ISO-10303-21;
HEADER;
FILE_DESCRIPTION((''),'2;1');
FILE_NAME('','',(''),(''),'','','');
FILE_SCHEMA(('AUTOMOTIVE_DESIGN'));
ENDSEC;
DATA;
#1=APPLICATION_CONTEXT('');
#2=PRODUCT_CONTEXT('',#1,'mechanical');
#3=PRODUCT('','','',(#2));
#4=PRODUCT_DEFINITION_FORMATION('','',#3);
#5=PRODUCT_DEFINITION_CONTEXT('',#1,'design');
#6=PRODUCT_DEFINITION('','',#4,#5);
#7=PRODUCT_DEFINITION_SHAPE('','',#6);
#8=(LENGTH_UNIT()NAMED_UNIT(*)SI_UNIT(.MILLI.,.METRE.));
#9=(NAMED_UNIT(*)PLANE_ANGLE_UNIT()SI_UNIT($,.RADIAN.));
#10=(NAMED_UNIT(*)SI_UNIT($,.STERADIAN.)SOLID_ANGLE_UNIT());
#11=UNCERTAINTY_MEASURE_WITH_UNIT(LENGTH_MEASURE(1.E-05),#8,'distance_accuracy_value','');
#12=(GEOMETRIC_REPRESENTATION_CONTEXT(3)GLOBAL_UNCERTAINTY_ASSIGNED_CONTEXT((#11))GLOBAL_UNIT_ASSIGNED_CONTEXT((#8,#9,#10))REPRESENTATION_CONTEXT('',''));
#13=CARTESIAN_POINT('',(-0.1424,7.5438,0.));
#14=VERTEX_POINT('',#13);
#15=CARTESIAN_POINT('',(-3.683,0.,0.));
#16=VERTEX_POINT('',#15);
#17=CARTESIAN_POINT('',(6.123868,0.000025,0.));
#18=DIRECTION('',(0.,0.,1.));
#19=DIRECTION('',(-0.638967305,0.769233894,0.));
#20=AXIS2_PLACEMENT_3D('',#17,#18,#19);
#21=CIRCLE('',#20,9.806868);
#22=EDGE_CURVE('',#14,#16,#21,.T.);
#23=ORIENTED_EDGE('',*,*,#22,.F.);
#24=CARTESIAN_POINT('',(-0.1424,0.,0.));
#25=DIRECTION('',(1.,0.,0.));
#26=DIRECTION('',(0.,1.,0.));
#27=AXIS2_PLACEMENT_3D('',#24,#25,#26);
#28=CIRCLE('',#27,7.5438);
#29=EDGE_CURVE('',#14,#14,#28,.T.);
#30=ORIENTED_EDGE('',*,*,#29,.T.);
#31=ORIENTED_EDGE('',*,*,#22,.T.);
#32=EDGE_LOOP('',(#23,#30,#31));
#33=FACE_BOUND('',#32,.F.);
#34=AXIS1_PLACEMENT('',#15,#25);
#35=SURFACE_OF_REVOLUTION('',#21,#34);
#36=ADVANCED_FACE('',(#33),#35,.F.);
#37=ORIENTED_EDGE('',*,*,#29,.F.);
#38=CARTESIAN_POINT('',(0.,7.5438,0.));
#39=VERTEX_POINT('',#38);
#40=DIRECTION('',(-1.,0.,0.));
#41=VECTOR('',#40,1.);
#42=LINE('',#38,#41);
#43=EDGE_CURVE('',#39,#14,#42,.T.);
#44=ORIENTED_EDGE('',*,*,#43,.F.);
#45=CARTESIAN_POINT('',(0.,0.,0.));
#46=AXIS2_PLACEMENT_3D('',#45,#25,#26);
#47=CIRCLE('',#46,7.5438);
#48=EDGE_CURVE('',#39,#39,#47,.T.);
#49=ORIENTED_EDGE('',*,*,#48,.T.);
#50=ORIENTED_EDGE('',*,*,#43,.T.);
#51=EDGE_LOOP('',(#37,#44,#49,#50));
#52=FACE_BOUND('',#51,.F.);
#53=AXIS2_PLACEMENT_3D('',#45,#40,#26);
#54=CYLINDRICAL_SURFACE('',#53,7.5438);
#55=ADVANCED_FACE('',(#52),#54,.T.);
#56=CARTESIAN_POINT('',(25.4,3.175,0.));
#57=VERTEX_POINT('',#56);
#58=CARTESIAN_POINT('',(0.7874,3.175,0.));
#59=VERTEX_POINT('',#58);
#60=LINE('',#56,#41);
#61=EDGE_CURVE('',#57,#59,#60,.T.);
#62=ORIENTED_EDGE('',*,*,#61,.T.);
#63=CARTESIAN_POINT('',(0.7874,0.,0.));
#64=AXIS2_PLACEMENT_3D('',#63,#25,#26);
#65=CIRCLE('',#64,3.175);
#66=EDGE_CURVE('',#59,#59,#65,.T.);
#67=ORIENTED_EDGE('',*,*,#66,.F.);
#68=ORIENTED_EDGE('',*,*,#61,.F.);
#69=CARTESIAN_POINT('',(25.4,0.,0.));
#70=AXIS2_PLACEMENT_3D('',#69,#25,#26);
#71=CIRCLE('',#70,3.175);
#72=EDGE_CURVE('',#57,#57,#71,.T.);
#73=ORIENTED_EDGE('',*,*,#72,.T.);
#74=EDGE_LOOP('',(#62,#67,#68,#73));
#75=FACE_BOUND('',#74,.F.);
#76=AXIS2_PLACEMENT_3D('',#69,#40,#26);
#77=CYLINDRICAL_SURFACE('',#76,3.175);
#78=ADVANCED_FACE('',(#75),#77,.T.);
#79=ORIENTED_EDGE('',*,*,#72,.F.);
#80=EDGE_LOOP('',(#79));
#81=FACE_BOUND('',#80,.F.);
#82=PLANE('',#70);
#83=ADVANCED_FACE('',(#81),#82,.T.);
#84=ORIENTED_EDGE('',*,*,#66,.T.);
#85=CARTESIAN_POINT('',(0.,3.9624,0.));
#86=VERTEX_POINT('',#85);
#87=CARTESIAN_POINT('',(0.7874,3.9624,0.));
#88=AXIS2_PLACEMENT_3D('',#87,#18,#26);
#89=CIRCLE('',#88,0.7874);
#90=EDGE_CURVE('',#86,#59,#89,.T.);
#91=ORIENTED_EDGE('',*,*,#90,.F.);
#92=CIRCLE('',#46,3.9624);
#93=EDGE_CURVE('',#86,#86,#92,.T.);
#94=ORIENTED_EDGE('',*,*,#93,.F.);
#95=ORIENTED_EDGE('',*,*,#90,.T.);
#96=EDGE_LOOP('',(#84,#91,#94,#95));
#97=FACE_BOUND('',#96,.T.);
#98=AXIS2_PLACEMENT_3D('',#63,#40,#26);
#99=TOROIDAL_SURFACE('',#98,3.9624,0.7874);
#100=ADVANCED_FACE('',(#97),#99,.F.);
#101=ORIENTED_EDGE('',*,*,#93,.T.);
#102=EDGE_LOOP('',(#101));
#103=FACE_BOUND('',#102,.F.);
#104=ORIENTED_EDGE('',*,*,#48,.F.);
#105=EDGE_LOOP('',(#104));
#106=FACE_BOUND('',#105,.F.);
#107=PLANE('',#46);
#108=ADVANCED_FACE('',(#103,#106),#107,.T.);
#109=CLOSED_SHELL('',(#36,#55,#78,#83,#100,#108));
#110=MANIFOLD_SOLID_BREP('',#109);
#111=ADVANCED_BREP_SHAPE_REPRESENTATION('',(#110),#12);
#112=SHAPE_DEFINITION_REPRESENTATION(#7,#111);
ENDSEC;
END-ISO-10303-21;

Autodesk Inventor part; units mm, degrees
ref_plane "YZ Plane" through (0, 0, 0) normal (1, 0, 0) x (0, 1, 0)
ref_plane "XZ Plane" through (0, 0, 0) normal (0, 1, 0) x (-1, 0, 0)
sketch "Sketch1" plane through (0, 0, 0) normal (0, 0, 1) x (1, 0, 0)
  line L0 (-3.683, 0) -> (25.4, 0)
  line L1 (25.4, 0) -> (25.4, 3.175)
  line L2 (25.4, 3.175) -> (0, 3.175)
  line L3 (0, 3.175) -> (0, 7.5438)
  line L4 (0, 7.5438) -> (-0.1424, 7.5438)
  arc A0 (-0.1424, 7.5438) -> (-3.683, 0) centre (6.1239, 0) ccw
  line L5 (-10.509, 0) -> (31.3848, 0) projected
  line L6 (0, -1.5877) -> (0, 9.5263) projected
  dimension "d0" = 25.4
  dimension "d1" = 3.683
  dimension "d2" = 6.35
  dimension "d3" = 15.0876
  dimension "d4" = 9.8069
revolve "Body" add sketch "Sketch1" angle 360 about axis through (-3.683, 0, 0) along (1, 0, 0)
thread "Thread" size "1/4-20 UNC" class "2A" standard "ANSI Unified Screw Threads" length 19.05
fillet "Fillet1" radius 0.7874 1 edges at (0, -3.175, 0)
ref_plane "Work Plane1" through (28.575, 0, 0) normal (0, -1, 0) x (1, 0, 0)
equation "\"d0\" = NLG"
equation "\"d1\" = KOH"
equation "\"d2\" = GD"
equation "\"d3\" = KOD"
equation "\"d4\" = KR"
equation "\"d5\" = GEL"
equation "\"d7\" = KKR"
equation "\"GD\" = NND"
equation "\"NLG\" = 25.4"
equation "\"GEL\" = 19.05"
equation "\"KOD\" = 15.0876"
equation "\"KOH\" = 3.683"
equation "\"KR\" = 0.65 * KOD"
equation "\"KKR\" = 0.7874"
equation "\"GUL\" = 0"
equation "\"SPD\" = -1.35 * GAL + 0.9 * NND"
equation "\"THREADDIA\" = 6.35"
equation "\"TOA\" = 30deg"
equation "\"BDM\" = NND"
equation "\"NND\" = 6.35"
equation "\"GAL\" = 1.27"
equation "\"GD1\" = NND - 1.5 * GAL"
properties part number "ANSI B18.5 - 1/4-20 UNC - 1, RHBI" material "Steel, Mild"
